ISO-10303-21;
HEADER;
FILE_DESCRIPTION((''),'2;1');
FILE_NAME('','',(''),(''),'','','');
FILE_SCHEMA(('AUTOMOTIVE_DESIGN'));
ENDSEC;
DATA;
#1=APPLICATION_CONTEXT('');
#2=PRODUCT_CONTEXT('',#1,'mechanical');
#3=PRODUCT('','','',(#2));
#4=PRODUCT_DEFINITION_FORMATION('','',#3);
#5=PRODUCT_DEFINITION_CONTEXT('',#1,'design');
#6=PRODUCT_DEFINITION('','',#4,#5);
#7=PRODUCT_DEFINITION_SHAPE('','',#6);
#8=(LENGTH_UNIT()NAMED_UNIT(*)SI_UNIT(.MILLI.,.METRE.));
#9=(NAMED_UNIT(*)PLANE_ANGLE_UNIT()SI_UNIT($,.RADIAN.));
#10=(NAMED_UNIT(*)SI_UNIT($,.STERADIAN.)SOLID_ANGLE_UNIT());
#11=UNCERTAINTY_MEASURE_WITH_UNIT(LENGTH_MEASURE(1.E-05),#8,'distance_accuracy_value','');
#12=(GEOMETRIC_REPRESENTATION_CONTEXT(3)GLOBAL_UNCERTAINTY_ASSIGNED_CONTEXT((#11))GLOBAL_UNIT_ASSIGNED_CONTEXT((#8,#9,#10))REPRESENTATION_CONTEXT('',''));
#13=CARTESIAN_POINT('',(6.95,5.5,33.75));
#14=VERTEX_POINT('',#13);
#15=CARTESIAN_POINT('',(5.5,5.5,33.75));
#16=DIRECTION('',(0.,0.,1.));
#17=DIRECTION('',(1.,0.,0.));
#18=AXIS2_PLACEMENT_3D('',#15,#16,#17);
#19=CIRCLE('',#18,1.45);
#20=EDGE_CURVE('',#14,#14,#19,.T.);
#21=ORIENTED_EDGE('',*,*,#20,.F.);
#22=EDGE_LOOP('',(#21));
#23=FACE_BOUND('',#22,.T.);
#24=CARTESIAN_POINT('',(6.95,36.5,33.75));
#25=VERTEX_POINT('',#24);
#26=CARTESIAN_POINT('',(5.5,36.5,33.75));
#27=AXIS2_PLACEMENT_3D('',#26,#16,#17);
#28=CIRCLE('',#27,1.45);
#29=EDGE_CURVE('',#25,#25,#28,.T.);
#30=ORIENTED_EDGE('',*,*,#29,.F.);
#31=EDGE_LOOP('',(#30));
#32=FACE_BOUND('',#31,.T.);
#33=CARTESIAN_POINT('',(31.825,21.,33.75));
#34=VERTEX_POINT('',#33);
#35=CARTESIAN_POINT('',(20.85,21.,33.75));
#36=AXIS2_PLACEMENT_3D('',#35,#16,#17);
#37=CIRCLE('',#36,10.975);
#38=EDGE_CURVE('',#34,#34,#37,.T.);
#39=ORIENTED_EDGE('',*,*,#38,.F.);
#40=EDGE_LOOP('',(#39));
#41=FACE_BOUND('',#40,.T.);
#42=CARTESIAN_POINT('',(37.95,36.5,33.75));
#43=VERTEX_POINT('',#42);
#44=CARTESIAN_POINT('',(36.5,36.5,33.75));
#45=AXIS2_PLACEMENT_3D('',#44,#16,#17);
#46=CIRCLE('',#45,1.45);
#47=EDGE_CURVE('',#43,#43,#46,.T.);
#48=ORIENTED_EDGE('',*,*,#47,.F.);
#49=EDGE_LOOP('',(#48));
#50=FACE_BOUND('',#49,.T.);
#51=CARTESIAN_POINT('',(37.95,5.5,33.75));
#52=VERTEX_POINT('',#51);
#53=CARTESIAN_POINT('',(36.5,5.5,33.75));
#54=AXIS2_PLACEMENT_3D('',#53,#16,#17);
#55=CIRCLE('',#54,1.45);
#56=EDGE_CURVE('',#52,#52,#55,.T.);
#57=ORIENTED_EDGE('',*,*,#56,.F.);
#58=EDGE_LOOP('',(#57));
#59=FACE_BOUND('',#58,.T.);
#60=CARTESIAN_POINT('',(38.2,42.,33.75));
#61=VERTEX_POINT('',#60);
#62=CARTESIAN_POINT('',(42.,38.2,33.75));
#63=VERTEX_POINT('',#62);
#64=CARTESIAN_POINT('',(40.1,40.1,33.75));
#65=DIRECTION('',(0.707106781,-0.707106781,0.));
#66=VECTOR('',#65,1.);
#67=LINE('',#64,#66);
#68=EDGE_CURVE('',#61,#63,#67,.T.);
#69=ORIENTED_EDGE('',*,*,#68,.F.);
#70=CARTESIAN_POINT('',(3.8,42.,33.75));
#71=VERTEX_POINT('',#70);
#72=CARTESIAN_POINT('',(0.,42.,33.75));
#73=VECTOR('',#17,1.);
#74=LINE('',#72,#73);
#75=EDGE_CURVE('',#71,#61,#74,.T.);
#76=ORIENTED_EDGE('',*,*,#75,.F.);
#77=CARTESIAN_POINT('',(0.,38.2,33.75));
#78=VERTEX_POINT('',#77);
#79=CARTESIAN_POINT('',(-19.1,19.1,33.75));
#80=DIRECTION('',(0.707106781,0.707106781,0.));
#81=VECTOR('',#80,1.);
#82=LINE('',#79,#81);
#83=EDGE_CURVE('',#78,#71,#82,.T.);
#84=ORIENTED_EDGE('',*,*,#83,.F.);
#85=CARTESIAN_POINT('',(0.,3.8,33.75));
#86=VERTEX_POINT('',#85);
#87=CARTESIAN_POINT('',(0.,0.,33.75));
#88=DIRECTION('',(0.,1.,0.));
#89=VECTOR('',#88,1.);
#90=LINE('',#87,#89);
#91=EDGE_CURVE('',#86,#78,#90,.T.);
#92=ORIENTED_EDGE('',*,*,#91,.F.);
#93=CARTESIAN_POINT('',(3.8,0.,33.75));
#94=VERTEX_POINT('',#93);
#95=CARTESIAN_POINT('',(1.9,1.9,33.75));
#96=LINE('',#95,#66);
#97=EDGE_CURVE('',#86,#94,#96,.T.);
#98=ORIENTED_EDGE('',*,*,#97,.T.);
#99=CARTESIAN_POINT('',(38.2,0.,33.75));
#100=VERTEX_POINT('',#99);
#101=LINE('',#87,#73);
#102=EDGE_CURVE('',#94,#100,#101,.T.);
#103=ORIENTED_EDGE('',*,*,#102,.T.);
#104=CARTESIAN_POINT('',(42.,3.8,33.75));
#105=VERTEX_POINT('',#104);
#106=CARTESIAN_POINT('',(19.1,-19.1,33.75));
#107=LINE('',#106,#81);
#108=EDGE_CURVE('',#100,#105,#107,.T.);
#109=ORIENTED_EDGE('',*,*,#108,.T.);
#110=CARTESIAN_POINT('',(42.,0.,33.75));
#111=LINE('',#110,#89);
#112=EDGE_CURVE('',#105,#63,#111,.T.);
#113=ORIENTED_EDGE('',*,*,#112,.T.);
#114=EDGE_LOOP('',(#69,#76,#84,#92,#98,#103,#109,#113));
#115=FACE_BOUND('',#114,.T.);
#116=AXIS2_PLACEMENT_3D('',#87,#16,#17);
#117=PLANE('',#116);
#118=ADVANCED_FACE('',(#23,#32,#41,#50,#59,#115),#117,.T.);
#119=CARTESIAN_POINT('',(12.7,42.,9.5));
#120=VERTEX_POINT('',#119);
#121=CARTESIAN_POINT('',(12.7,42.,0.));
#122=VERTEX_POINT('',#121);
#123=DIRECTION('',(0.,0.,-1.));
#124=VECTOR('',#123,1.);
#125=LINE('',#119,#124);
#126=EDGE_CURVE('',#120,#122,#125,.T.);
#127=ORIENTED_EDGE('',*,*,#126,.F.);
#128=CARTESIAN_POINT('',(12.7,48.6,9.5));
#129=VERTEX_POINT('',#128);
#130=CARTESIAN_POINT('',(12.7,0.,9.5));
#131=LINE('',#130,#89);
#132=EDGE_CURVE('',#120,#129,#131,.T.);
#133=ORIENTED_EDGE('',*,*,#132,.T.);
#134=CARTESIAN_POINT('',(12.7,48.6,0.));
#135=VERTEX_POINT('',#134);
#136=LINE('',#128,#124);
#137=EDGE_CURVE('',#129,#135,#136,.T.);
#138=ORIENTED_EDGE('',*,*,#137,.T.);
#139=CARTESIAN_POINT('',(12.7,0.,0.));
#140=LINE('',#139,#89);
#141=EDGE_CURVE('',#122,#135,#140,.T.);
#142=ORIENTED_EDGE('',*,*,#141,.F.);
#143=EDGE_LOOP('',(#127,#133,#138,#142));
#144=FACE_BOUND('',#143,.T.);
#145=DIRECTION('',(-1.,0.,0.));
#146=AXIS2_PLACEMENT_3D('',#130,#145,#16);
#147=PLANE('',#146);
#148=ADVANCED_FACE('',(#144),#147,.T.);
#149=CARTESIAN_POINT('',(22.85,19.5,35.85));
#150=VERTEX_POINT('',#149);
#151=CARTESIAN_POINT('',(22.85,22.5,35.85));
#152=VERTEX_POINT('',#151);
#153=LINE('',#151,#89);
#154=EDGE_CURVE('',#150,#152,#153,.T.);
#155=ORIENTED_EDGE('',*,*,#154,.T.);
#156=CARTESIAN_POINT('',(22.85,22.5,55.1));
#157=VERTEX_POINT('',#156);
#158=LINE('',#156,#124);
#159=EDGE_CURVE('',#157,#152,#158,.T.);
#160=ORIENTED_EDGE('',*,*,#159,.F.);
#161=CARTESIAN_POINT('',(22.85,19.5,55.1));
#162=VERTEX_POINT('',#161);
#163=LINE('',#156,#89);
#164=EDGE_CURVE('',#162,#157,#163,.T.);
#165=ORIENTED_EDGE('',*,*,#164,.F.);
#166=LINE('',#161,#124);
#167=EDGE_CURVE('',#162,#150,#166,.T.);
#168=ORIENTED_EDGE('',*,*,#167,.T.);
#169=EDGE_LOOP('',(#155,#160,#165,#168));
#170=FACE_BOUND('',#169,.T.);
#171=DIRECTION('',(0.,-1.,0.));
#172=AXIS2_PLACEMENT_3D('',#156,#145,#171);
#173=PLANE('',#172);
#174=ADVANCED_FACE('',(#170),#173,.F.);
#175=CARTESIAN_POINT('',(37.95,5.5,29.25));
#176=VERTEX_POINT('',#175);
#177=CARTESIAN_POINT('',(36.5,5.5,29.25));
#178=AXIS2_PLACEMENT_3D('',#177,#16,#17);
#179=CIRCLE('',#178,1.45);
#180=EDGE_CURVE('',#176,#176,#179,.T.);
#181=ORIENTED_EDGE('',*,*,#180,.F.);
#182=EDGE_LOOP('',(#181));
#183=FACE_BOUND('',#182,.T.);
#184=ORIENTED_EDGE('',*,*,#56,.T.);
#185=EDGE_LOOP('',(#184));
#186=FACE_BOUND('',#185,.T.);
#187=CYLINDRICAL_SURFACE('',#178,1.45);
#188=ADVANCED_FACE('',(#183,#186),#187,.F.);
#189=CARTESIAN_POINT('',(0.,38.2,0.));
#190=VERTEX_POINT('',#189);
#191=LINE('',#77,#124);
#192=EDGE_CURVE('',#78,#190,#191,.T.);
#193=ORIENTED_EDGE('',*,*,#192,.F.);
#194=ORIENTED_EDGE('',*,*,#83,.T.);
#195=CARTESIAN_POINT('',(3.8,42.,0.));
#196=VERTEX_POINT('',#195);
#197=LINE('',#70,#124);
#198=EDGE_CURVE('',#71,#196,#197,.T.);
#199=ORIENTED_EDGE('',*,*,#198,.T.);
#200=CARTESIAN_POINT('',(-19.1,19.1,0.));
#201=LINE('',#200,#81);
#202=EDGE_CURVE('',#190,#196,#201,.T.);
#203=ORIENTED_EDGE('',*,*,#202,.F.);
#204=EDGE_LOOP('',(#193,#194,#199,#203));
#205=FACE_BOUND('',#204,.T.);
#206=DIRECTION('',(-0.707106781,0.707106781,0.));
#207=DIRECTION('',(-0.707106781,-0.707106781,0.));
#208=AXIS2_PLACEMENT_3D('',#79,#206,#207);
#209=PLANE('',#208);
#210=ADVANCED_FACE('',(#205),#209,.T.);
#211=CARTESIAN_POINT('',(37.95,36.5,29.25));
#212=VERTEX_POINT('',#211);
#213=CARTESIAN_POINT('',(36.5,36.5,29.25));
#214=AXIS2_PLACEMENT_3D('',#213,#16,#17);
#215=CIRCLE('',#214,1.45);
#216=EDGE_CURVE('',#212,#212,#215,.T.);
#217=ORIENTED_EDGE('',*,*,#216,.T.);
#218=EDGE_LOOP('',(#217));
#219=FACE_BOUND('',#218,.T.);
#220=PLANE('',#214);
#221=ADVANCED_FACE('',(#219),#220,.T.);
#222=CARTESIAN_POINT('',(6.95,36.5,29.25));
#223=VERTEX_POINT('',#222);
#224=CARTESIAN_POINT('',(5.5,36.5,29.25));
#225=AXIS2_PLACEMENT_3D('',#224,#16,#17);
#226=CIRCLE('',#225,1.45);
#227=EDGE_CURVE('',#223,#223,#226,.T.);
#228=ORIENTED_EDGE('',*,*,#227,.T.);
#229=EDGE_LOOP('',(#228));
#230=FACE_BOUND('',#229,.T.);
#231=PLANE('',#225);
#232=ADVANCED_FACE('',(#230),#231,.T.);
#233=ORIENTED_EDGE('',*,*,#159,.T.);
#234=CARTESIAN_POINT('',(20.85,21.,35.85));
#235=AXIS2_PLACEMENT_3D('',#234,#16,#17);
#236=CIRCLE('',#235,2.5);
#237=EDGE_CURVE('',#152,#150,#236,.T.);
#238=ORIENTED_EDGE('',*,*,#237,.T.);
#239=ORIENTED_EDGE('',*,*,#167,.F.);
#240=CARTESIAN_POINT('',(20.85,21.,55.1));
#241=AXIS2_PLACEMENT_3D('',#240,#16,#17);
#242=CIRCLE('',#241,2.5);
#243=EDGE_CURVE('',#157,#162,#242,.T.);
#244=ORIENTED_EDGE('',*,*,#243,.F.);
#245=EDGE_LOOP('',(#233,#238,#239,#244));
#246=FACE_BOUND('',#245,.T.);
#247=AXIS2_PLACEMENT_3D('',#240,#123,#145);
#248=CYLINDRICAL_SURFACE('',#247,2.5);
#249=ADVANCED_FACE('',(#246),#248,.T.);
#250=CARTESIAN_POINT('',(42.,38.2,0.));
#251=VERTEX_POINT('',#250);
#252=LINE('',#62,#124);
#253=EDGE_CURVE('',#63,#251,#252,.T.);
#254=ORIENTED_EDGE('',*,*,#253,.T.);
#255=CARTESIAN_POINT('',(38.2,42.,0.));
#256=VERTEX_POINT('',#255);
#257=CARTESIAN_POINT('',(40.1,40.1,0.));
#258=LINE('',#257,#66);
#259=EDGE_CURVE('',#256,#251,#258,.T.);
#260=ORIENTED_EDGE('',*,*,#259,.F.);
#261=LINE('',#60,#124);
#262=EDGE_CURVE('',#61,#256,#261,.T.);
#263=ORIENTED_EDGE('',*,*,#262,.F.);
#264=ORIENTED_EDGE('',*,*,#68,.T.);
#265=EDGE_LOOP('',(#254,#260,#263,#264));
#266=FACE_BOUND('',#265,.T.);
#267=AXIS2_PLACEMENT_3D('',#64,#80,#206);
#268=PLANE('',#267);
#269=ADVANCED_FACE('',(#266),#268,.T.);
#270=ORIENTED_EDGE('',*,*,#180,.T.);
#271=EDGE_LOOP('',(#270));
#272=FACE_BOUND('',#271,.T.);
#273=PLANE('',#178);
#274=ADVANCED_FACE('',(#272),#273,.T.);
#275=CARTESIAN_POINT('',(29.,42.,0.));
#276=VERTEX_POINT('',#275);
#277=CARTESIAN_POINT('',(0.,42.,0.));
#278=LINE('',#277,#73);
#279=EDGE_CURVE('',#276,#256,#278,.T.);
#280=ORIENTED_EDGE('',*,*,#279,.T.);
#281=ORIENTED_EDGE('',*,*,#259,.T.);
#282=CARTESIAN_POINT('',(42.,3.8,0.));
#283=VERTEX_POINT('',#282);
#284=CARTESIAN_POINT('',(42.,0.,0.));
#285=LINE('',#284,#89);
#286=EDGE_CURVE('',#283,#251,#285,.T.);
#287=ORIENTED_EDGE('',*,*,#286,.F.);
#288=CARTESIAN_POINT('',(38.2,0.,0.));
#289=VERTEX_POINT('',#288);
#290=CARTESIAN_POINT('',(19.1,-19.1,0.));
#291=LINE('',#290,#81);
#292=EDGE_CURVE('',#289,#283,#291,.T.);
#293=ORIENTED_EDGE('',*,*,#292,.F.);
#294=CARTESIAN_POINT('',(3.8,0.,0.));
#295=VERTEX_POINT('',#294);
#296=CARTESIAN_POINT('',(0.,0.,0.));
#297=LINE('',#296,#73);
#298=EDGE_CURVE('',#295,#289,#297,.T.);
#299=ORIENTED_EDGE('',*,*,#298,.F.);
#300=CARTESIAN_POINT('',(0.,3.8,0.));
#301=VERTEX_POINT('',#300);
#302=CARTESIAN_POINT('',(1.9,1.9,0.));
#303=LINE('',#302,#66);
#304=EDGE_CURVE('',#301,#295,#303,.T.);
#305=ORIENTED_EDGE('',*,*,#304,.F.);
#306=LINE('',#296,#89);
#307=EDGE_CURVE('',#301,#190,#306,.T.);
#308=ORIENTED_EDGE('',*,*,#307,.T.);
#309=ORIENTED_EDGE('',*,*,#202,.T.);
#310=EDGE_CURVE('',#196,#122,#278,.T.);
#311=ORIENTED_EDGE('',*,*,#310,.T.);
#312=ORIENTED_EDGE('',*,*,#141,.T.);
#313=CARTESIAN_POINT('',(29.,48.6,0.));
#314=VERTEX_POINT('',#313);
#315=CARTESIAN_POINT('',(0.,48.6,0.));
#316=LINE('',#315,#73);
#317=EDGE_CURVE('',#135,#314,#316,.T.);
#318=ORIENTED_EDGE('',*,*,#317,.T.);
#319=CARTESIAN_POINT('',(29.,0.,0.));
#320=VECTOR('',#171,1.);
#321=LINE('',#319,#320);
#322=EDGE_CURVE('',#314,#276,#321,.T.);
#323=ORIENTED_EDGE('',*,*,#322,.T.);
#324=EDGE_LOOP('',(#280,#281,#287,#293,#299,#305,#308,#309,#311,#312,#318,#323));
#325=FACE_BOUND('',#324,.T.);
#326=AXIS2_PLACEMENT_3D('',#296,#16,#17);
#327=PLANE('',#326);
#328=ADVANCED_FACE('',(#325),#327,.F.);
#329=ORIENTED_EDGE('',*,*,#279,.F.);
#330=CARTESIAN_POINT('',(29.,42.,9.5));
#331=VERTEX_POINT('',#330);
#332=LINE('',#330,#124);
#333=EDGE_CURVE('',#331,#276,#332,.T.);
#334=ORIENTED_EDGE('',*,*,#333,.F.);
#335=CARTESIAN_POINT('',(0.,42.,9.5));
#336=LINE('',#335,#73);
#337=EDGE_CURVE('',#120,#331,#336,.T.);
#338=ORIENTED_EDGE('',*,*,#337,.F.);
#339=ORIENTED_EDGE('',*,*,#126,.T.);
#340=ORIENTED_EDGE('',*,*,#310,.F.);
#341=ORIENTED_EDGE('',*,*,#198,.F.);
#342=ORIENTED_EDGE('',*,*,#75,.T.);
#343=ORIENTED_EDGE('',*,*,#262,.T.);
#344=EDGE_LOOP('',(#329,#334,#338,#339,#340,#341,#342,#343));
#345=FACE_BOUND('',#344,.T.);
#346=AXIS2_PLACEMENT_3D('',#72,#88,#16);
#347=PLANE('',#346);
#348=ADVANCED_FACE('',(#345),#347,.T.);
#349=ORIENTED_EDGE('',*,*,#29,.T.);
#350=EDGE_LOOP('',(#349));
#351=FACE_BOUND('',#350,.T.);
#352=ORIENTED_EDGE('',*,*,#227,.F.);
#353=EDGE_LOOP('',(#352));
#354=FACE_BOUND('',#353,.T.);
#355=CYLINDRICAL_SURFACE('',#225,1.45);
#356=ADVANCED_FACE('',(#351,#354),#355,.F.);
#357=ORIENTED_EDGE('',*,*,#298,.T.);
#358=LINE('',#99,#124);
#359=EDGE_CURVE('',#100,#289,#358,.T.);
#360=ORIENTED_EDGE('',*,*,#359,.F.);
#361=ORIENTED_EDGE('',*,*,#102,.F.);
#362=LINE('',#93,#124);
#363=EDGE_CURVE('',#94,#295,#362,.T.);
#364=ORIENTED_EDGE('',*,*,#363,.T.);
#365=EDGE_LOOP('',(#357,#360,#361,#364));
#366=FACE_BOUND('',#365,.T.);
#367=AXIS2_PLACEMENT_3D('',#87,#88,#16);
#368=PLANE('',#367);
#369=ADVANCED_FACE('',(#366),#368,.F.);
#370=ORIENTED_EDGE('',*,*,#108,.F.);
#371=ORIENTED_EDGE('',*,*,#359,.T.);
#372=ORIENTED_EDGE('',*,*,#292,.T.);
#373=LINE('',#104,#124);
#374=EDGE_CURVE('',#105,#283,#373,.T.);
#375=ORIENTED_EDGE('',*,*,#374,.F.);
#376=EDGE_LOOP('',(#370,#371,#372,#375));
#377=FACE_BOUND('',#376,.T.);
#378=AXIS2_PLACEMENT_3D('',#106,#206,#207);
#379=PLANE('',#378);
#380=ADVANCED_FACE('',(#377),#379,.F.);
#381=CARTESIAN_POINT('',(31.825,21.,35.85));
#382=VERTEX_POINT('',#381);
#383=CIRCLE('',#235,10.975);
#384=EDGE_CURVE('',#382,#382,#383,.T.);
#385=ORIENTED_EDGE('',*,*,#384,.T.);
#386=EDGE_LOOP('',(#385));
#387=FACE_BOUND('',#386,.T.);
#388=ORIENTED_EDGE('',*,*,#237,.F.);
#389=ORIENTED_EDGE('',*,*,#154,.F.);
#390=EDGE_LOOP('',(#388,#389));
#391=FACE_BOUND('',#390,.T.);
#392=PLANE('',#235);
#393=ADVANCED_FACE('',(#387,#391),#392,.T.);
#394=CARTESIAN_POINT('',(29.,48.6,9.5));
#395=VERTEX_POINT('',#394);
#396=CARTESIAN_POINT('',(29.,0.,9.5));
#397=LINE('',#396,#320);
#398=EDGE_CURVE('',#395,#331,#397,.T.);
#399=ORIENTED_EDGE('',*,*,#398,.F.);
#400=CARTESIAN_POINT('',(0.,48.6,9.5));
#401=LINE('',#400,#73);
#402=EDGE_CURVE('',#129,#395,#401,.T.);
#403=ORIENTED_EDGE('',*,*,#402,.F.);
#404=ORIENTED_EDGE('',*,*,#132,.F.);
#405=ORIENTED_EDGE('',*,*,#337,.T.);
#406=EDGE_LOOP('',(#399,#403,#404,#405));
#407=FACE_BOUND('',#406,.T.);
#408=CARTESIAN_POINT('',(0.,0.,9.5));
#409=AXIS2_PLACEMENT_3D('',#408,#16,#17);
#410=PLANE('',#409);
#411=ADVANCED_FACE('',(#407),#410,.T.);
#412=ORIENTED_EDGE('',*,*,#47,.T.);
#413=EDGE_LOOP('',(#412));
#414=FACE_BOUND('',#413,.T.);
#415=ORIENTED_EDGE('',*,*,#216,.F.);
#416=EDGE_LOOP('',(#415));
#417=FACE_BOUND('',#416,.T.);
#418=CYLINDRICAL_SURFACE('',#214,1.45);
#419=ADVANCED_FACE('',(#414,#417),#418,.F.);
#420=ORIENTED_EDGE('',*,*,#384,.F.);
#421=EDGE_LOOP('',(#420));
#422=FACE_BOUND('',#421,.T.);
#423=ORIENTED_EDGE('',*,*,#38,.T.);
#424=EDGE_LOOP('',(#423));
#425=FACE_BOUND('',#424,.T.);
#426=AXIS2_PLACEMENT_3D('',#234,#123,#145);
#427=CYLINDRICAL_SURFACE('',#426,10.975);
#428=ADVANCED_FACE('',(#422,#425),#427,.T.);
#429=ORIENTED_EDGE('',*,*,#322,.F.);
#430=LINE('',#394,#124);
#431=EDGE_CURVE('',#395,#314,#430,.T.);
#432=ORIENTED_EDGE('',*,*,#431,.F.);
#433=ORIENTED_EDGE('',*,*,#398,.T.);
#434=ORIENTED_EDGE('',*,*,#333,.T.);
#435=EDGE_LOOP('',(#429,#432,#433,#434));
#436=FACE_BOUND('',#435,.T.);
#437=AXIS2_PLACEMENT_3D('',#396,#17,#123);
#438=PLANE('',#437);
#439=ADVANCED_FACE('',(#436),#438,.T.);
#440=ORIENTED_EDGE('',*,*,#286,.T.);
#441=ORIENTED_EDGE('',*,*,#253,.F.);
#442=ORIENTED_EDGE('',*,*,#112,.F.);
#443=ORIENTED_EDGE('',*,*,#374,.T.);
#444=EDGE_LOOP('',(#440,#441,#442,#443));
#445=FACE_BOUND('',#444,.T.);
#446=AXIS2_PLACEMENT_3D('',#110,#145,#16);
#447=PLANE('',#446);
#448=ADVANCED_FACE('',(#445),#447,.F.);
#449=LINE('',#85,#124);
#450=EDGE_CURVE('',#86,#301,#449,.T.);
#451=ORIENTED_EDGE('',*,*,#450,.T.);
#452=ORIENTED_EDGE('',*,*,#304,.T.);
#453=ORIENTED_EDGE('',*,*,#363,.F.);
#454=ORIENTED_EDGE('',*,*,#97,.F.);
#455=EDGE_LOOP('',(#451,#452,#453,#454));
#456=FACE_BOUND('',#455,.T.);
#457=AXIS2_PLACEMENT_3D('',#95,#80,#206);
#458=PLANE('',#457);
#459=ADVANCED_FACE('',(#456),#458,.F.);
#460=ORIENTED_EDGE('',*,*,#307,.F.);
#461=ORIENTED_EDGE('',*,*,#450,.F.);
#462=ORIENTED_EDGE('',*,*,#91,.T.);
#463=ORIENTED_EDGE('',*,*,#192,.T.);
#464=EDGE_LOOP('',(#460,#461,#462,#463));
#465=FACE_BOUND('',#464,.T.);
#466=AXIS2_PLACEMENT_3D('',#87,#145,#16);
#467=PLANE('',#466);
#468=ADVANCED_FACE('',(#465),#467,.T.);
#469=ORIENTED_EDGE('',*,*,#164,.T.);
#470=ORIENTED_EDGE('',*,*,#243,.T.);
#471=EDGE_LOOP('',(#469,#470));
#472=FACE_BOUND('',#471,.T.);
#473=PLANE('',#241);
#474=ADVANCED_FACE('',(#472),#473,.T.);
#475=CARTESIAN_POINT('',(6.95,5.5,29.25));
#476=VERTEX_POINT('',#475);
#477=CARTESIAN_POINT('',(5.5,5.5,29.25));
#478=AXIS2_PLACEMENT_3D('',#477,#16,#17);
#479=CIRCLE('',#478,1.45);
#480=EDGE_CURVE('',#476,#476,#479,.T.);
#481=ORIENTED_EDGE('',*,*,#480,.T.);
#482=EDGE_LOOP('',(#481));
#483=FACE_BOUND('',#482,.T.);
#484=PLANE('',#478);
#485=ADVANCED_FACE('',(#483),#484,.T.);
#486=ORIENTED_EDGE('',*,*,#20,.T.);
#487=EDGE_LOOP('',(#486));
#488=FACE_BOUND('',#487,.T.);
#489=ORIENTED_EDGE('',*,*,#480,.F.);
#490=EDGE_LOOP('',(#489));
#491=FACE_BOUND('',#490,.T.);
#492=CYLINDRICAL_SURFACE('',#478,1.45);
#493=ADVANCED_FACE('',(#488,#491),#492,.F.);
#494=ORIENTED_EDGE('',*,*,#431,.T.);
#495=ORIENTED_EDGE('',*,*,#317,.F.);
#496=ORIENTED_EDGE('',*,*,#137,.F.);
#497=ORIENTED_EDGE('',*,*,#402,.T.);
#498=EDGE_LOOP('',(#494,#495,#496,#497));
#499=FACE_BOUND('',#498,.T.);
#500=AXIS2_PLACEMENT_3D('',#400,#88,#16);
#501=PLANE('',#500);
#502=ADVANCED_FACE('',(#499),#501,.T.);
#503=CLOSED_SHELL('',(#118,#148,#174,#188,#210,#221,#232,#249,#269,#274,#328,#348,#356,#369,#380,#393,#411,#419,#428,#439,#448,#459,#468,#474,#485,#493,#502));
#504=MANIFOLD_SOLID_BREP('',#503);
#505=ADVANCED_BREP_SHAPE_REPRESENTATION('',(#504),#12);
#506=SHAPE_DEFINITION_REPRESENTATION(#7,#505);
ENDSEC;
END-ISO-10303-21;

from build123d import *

# Parameters (mm, degrees)
BOSS_EXTRUDE1_DEPTH = 33.75
SKETCH1_3_W         = 16.3
SKETCH1_3_H         = 6.6
BOSS_EXTRUDE2_DEPTH = 9.5
SKETCH2_R           = 10.975
BOSS_EXTRUDE3_DEPTH = 2.1
BOSS_EXTRUDE4_DEPTH = 19.25
SKETCH4_R           = 1.45
CUT_EXTRUDE1_DEPTH  = 4.5


with BuildPart() as part:
    # Sketch1 → Boss-Extrude1 (new body)
    with BuildSketch(Plane.XY):
        Polygon((29, 42), (12.7, 42), (3.8, 42), (0, 38.2), (0, 3.8), (3.8, 0), (38.2, 0), (42, 3.8), (42, 38.2), (38.2, 42), align=None)
    extrude(amount=BOSS_EXTRUDE1_DEPTH)

    # Sketch1<3> → Boss-Extrude2 (add)
    with BuildSketch(Plane.XY):
        with Locations((20.85, 45.3)):
            Rectangle(SKETCH1_3_W, SKETCH1_3_H)
    extrude(amount=BOSS_EXTRUDE2_DEPTH)

    # Sketch2 → Boss-Extrude3 (add)
    with BuildSketch(Plane.XY.offset(33.75)):
        with Locations((20.85, 21)):
            Circle(SKETCH2_R)
    extrude(amount=BOSS_EXTRUDE3_DEPTH)

    # Sketch3 → Boss-Extrude4 (add)
    with BuildSketch(Plane.XY.offset(35.85)):
        with BuildLine():
            Line((22.85, 22.5), (22.85, 19.5))
            ThreePointArc((22.85, 19.5), (18.35, 21), (22.85, 22.5))
        make_face()
    extrude(amount=BOSS_EXTRUDE4_DEPTH)

    # Sketch4 → Cut-Extrude1 (cut)
    with BuildSketch(Plane.XY.offset(33.75)):
        with Locations((5.5, 36.5)):
            Circle(SKETCH4_R)
        with Locations((36.5, 36.5)):
            Circle(SKETCH4_R)
        with Locations((5.5, 5.5)):
            Circle(SKETCH4_R)
        with Locations((36.5, 5.5)):
            Circle(SKETCH4_R)
    extrude(amount=-CUT_EXTRUDE1_DEPTH, mode=Mode.SUBTRACT)


solid = part.part
